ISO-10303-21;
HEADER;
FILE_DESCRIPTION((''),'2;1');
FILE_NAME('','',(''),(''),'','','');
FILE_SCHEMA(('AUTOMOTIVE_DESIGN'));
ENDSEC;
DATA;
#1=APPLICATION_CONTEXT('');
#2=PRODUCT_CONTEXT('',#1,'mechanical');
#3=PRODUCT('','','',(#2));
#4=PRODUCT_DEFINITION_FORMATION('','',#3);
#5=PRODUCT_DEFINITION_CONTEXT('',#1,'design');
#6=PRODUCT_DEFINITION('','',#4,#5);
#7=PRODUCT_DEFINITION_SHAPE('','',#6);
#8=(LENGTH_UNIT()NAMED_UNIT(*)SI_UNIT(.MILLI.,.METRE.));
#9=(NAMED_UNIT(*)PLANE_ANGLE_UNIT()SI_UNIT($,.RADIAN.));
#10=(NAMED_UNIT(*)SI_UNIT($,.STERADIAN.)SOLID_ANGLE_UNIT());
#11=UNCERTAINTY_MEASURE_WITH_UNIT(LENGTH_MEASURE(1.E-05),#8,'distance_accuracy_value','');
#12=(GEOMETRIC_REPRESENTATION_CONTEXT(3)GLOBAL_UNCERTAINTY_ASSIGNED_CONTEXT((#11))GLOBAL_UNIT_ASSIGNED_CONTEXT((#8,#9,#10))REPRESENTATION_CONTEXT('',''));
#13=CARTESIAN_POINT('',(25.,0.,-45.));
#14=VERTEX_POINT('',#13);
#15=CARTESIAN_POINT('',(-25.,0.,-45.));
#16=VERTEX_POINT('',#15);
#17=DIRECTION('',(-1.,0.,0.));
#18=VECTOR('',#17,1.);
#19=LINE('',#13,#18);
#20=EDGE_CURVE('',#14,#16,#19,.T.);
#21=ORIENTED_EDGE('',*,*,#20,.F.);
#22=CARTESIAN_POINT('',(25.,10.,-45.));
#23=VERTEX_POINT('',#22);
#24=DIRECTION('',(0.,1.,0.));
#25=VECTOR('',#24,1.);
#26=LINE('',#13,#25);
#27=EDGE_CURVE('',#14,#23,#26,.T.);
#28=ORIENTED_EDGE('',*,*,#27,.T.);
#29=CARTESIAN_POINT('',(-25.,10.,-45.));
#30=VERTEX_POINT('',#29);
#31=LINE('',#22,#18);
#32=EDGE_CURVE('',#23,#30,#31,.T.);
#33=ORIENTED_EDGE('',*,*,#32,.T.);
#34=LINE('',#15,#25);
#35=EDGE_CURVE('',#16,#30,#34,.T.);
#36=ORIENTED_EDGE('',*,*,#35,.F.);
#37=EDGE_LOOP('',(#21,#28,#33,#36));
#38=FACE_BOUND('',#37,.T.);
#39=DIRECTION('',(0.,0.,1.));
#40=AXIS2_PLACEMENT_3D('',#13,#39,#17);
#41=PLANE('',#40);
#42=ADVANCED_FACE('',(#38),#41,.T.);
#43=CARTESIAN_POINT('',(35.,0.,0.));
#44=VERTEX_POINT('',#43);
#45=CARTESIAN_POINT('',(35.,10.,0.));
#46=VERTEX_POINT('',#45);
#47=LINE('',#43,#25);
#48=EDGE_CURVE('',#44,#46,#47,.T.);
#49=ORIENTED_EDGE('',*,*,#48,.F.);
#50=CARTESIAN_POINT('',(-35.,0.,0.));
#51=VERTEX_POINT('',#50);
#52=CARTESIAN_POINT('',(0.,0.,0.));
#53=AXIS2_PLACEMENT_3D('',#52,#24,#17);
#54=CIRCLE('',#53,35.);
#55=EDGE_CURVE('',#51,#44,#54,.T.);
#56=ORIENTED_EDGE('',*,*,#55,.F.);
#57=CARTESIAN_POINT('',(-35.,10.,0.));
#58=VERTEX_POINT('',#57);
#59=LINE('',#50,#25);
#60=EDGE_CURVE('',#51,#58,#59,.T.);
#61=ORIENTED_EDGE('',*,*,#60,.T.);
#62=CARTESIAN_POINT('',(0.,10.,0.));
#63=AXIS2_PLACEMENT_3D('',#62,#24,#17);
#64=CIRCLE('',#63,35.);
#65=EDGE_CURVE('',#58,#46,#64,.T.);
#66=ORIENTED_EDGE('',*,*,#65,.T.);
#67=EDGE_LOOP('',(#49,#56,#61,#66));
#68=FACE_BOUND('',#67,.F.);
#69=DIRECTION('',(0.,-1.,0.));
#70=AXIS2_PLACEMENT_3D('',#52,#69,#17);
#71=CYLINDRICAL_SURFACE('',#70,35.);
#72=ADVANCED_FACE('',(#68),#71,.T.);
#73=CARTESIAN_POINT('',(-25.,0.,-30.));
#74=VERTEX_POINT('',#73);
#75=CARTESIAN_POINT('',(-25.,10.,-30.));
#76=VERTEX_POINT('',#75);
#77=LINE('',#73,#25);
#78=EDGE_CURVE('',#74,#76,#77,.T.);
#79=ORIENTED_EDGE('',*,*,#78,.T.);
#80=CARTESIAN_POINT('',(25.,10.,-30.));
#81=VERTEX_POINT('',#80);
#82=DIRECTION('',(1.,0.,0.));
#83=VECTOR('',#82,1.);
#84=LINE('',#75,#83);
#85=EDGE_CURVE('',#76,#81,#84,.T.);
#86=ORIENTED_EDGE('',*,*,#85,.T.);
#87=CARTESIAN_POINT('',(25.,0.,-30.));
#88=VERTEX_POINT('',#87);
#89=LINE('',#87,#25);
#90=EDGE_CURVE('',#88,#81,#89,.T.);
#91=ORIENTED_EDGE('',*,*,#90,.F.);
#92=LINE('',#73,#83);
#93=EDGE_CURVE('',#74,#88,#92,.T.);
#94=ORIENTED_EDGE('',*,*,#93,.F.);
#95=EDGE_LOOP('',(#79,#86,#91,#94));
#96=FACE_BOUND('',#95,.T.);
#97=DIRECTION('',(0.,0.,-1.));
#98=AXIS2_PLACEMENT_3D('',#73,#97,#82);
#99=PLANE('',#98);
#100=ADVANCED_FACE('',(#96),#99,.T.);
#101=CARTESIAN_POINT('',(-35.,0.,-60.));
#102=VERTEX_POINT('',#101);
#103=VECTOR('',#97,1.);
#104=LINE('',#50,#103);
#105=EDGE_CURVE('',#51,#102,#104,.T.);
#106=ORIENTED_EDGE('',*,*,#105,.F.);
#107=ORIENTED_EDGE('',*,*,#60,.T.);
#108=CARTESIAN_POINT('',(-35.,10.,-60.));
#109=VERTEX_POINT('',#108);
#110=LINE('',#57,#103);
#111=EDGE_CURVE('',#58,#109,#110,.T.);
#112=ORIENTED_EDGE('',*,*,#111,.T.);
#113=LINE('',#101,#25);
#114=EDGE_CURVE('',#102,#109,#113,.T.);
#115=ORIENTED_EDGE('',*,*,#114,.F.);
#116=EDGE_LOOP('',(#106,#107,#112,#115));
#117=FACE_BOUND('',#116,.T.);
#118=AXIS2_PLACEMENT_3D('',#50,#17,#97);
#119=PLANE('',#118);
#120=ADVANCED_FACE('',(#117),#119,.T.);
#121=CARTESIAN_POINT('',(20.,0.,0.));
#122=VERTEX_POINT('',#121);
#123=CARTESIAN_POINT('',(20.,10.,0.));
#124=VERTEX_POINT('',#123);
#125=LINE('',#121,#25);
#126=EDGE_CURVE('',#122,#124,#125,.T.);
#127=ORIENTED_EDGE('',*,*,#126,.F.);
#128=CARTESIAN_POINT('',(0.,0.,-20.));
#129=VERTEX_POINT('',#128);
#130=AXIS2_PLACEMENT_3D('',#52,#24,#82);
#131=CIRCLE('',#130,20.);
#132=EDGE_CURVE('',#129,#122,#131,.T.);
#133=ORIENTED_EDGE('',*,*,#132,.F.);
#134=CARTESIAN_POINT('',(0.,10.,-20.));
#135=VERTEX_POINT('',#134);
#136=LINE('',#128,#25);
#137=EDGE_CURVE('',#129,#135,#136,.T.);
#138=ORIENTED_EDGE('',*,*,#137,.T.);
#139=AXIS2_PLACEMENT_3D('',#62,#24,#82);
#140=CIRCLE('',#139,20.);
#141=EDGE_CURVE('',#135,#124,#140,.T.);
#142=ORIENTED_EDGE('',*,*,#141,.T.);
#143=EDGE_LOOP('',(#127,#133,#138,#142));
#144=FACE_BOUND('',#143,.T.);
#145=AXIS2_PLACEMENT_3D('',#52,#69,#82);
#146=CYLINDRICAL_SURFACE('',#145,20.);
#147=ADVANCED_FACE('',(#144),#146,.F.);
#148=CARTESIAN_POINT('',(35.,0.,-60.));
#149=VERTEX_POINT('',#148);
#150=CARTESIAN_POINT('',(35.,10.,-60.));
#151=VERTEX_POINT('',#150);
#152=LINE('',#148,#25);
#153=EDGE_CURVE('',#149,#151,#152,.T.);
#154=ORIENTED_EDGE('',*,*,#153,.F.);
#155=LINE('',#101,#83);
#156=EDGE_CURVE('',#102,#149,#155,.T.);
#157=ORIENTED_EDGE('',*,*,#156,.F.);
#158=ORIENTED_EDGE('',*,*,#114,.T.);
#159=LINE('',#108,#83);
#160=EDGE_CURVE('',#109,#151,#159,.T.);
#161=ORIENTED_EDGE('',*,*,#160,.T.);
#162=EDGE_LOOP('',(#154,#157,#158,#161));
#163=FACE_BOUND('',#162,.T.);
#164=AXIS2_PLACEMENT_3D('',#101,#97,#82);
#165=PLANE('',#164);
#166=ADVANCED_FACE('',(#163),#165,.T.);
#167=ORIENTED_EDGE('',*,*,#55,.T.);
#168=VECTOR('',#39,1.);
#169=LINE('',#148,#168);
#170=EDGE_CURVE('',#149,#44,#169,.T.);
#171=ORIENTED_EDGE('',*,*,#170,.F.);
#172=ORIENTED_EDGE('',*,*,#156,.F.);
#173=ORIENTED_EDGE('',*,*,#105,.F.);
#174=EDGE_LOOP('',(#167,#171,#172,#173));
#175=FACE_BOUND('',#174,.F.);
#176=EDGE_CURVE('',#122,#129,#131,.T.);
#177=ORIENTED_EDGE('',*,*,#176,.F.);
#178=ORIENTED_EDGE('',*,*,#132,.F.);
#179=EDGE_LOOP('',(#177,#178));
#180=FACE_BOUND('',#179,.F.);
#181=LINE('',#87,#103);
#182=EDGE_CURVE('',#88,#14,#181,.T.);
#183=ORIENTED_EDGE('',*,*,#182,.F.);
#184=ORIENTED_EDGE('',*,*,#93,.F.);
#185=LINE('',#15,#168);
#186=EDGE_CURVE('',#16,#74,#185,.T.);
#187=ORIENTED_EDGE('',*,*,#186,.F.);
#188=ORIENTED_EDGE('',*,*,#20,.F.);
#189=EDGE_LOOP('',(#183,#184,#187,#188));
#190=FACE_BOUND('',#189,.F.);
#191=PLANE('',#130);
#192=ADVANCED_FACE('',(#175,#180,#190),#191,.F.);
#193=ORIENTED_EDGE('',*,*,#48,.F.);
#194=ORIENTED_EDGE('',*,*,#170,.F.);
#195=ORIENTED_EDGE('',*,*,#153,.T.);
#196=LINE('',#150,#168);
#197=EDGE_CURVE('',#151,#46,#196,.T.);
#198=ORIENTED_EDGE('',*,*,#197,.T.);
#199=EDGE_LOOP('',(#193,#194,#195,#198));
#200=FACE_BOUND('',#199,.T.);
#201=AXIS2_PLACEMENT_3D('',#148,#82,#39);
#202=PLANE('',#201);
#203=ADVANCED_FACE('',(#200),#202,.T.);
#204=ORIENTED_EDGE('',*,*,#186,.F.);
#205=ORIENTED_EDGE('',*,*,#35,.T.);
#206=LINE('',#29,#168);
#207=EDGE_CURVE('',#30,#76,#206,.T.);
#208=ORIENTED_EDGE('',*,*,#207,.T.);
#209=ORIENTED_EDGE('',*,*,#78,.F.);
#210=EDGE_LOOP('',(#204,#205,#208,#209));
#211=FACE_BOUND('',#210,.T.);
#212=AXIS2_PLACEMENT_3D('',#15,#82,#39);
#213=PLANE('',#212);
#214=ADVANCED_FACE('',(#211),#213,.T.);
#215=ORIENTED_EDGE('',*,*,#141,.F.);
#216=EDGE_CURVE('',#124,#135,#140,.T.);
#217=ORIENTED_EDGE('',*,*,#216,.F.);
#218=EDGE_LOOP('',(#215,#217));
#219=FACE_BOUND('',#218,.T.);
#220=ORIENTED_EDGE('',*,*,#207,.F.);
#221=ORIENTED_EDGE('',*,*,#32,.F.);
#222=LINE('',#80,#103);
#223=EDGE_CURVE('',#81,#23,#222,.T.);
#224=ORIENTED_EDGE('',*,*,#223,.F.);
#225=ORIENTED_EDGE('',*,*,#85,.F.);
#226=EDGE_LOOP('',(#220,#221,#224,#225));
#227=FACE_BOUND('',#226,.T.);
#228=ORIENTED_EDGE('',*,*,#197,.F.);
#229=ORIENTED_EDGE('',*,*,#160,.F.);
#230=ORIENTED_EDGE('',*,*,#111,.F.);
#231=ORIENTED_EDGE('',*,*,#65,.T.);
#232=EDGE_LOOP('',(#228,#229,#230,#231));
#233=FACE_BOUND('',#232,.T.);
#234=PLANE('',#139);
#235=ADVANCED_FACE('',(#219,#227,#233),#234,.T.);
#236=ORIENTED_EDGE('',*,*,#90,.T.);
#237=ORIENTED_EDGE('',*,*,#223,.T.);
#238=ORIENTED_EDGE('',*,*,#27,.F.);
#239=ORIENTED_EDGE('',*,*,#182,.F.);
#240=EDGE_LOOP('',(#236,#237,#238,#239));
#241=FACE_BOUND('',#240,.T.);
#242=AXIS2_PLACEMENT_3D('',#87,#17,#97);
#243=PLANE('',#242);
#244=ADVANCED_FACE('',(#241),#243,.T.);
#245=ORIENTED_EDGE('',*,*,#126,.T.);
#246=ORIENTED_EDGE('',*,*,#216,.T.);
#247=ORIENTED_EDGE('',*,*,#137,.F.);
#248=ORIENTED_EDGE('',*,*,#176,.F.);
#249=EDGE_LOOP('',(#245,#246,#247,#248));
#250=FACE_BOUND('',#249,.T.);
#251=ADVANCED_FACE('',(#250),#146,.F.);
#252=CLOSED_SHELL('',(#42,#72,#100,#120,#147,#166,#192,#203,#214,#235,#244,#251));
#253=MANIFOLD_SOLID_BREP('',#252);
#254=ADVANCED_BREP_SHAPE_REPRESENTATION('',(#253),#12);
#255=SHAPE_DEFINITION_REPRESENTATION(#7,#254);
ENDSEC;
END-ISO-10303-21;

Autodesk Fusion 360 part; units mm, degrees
sketch "Sketch1" plane through (0, 0, 0) normal (0, 1, 0) x (1, 0, 0) in component "Component'"
  circle A0 centre (0, 0) radius 20
  line L0 (0, 0) -> (0, 20)
  line L1 (-35, 0) -> (-35, 60)
  line L2 (-35, 60) -> (35, 60)
  line L3 (35, 60) -> (35, 0)
  arc A1 (-35, 0) -> (35, 0) centre (0, 0) ccw
  line L4 (0, 20) -> (0, 37.5) construction
  line L5 (25, 45) -> (-25, 45)
  line L6 (-25, 45) -> (-25, 30)
  line L7 (-25, 30) -> (25, 30)
  line L8 (25, 30) -> (25, 45)
  line L9 (25, 45) -> (-25, 30) construction
  line L10 (-25, 45) -> (25, 30) construction
  point P0 (0, 37.5)
  dimension "d1" = 40
  dimension "d2" = 70
  dimension "d4" = 70
  dimension "d5" = 17.5
  dimension "d6" = 50
  dimension "d7" = 15
sketch "Sketch2" plane through (0, 0, 0) normal (0, 1, 0) x (1, 0, 0) in component "Component'"
extrude "Extrude1" add sketch "Sketch1" along normal blind 10
component "Component" placed x (1, 0, 0) y (0, 1, 0) z (0, 0, 1) at (0, 0, 0)
component "Component'" placed x (1, 0, 0) y (0, 1, 0) z (0, 0, 1) at (0, 0, 0) in component "Component"
